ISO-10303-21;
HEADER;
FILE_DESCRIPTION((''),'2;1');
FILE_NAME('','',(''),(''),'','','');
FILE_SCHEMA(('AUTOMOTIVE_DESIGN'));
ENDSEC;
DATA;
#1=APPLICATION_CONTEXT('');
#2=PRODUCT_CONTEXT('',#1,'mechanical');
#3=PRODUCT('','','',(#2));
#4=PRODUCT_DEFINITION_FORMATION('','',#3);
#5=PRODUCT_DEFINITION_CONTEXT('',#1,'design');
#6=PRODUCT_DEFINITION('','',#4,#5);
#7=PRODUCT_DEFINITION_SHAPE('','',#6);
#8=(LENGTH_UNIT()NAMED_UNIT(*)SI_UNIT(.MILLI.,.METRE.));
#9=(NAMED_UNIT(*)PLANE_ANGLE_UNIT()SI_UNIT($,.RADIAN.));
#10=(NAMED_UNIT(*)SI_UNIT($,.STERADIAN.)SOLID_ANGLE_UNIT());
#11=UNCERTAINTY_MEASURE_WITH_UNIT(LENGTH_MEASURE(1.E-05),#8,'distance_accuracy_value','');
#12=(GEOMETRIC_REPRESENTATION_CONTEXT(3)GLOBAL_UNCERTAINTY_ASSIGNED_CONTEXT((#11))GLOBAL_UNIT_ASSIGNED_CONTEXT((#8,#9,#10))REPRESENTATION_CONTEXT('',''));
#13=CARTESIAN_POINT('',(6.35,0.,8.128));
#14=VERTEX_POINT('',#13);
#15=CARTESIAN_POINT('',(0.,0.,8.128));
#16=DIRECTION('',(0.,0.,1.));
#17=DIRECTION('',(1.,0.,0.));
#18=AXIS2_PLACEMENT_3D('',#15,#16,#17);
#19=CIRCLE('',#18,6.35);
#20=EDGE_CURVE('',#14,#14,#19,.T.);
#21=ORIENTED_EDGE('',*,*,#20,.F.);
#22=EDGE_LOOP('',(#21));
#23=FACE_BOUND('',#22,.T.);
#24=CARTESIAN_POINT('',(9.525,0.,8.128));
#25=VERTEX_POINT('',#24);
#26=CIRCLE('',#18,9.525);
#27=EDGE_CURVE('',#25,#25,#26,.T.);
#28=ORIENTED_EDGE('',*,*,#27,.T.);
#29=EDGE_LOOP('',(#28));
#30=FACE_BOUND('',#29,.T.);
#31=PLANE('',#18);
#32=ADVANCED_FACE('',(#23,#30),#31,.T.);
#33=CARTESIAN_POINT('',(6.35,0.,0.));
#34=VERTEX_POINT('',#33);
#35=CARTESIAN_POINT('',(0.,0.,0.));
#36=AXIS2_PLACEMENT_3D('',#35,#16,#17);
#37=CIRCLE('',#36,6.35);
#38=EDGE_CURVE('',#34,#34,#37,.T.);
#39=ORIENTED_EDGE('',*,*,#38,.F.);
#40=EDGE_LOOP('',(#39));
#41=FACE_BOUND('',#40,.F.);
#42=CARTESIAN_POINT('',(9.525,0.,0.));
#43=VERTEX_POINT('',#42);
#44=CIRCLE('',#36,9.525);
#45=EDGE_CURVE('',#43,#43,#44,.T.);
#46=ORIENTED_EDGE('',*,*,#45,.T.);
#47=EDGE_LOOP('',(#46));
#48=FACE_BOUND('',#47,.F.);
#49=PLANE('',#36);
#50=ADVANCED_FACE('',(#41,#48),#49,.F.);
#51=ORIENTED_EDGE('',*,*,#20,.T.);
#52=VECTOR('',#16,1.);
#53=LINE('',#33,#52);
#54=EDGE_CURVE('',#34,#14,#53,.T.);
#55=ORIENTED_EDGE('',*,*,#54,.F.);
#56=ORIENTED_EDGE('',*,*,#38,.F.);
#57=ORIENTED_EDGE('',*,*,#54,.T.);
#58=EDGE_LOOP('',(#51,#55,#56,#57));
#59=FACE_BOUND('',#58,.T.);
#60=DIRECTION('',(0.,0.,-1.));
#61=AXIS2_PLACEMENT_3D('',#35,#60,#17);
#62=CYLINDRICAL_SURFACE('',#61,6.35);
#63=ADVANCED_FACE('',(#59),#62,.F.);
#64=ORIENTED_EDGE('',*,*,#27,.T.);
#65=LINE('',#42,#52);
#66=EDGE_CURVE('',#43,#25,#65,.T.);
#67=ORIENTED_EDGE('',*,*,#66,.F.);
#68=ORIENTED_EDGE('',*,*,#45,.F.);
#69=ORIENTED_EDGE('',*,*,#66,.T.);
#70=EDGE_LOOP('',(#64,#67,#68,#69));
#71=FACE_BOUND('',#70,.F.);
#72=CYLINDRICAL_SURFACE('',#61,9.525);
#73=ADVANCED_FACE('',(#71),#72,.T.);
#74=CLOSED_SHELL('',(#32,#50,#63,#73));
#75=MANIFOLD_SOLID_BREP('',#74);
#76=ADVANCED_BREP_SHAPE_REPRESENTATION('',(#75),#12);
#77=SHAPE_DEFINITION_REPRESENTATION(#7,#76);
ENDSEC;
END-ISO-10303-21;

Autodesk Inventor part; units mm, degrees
ref_plane "YZ Plane" through (0, 0, 0) normal (1, 0, 0) x (0, 1, 0)
ref_plane "XZ Plane" through (0, 0, 0) normal (0, 1, 0) x (-1, 0, 0)
ref_plane "XY Plane" through (0, 0, 0) normal (0, 0, 1) x (1, 0, 0)
sketch "Sketch1" plane through (0, 0, 0) normal (0, 0, 1) x (1, 0, 0)
  circle A0 centre (0, 0) radius 6.35
  circle A1 centre (0, 0) radius 9.525
  dimension "d0" = 12.7
  dimension "d1" = 19.05
extrude "Extrusion1" add sketch "Sketch1" along normal blind 8.128
properties part number "Conforce_Shaft_Spacer_Short"
